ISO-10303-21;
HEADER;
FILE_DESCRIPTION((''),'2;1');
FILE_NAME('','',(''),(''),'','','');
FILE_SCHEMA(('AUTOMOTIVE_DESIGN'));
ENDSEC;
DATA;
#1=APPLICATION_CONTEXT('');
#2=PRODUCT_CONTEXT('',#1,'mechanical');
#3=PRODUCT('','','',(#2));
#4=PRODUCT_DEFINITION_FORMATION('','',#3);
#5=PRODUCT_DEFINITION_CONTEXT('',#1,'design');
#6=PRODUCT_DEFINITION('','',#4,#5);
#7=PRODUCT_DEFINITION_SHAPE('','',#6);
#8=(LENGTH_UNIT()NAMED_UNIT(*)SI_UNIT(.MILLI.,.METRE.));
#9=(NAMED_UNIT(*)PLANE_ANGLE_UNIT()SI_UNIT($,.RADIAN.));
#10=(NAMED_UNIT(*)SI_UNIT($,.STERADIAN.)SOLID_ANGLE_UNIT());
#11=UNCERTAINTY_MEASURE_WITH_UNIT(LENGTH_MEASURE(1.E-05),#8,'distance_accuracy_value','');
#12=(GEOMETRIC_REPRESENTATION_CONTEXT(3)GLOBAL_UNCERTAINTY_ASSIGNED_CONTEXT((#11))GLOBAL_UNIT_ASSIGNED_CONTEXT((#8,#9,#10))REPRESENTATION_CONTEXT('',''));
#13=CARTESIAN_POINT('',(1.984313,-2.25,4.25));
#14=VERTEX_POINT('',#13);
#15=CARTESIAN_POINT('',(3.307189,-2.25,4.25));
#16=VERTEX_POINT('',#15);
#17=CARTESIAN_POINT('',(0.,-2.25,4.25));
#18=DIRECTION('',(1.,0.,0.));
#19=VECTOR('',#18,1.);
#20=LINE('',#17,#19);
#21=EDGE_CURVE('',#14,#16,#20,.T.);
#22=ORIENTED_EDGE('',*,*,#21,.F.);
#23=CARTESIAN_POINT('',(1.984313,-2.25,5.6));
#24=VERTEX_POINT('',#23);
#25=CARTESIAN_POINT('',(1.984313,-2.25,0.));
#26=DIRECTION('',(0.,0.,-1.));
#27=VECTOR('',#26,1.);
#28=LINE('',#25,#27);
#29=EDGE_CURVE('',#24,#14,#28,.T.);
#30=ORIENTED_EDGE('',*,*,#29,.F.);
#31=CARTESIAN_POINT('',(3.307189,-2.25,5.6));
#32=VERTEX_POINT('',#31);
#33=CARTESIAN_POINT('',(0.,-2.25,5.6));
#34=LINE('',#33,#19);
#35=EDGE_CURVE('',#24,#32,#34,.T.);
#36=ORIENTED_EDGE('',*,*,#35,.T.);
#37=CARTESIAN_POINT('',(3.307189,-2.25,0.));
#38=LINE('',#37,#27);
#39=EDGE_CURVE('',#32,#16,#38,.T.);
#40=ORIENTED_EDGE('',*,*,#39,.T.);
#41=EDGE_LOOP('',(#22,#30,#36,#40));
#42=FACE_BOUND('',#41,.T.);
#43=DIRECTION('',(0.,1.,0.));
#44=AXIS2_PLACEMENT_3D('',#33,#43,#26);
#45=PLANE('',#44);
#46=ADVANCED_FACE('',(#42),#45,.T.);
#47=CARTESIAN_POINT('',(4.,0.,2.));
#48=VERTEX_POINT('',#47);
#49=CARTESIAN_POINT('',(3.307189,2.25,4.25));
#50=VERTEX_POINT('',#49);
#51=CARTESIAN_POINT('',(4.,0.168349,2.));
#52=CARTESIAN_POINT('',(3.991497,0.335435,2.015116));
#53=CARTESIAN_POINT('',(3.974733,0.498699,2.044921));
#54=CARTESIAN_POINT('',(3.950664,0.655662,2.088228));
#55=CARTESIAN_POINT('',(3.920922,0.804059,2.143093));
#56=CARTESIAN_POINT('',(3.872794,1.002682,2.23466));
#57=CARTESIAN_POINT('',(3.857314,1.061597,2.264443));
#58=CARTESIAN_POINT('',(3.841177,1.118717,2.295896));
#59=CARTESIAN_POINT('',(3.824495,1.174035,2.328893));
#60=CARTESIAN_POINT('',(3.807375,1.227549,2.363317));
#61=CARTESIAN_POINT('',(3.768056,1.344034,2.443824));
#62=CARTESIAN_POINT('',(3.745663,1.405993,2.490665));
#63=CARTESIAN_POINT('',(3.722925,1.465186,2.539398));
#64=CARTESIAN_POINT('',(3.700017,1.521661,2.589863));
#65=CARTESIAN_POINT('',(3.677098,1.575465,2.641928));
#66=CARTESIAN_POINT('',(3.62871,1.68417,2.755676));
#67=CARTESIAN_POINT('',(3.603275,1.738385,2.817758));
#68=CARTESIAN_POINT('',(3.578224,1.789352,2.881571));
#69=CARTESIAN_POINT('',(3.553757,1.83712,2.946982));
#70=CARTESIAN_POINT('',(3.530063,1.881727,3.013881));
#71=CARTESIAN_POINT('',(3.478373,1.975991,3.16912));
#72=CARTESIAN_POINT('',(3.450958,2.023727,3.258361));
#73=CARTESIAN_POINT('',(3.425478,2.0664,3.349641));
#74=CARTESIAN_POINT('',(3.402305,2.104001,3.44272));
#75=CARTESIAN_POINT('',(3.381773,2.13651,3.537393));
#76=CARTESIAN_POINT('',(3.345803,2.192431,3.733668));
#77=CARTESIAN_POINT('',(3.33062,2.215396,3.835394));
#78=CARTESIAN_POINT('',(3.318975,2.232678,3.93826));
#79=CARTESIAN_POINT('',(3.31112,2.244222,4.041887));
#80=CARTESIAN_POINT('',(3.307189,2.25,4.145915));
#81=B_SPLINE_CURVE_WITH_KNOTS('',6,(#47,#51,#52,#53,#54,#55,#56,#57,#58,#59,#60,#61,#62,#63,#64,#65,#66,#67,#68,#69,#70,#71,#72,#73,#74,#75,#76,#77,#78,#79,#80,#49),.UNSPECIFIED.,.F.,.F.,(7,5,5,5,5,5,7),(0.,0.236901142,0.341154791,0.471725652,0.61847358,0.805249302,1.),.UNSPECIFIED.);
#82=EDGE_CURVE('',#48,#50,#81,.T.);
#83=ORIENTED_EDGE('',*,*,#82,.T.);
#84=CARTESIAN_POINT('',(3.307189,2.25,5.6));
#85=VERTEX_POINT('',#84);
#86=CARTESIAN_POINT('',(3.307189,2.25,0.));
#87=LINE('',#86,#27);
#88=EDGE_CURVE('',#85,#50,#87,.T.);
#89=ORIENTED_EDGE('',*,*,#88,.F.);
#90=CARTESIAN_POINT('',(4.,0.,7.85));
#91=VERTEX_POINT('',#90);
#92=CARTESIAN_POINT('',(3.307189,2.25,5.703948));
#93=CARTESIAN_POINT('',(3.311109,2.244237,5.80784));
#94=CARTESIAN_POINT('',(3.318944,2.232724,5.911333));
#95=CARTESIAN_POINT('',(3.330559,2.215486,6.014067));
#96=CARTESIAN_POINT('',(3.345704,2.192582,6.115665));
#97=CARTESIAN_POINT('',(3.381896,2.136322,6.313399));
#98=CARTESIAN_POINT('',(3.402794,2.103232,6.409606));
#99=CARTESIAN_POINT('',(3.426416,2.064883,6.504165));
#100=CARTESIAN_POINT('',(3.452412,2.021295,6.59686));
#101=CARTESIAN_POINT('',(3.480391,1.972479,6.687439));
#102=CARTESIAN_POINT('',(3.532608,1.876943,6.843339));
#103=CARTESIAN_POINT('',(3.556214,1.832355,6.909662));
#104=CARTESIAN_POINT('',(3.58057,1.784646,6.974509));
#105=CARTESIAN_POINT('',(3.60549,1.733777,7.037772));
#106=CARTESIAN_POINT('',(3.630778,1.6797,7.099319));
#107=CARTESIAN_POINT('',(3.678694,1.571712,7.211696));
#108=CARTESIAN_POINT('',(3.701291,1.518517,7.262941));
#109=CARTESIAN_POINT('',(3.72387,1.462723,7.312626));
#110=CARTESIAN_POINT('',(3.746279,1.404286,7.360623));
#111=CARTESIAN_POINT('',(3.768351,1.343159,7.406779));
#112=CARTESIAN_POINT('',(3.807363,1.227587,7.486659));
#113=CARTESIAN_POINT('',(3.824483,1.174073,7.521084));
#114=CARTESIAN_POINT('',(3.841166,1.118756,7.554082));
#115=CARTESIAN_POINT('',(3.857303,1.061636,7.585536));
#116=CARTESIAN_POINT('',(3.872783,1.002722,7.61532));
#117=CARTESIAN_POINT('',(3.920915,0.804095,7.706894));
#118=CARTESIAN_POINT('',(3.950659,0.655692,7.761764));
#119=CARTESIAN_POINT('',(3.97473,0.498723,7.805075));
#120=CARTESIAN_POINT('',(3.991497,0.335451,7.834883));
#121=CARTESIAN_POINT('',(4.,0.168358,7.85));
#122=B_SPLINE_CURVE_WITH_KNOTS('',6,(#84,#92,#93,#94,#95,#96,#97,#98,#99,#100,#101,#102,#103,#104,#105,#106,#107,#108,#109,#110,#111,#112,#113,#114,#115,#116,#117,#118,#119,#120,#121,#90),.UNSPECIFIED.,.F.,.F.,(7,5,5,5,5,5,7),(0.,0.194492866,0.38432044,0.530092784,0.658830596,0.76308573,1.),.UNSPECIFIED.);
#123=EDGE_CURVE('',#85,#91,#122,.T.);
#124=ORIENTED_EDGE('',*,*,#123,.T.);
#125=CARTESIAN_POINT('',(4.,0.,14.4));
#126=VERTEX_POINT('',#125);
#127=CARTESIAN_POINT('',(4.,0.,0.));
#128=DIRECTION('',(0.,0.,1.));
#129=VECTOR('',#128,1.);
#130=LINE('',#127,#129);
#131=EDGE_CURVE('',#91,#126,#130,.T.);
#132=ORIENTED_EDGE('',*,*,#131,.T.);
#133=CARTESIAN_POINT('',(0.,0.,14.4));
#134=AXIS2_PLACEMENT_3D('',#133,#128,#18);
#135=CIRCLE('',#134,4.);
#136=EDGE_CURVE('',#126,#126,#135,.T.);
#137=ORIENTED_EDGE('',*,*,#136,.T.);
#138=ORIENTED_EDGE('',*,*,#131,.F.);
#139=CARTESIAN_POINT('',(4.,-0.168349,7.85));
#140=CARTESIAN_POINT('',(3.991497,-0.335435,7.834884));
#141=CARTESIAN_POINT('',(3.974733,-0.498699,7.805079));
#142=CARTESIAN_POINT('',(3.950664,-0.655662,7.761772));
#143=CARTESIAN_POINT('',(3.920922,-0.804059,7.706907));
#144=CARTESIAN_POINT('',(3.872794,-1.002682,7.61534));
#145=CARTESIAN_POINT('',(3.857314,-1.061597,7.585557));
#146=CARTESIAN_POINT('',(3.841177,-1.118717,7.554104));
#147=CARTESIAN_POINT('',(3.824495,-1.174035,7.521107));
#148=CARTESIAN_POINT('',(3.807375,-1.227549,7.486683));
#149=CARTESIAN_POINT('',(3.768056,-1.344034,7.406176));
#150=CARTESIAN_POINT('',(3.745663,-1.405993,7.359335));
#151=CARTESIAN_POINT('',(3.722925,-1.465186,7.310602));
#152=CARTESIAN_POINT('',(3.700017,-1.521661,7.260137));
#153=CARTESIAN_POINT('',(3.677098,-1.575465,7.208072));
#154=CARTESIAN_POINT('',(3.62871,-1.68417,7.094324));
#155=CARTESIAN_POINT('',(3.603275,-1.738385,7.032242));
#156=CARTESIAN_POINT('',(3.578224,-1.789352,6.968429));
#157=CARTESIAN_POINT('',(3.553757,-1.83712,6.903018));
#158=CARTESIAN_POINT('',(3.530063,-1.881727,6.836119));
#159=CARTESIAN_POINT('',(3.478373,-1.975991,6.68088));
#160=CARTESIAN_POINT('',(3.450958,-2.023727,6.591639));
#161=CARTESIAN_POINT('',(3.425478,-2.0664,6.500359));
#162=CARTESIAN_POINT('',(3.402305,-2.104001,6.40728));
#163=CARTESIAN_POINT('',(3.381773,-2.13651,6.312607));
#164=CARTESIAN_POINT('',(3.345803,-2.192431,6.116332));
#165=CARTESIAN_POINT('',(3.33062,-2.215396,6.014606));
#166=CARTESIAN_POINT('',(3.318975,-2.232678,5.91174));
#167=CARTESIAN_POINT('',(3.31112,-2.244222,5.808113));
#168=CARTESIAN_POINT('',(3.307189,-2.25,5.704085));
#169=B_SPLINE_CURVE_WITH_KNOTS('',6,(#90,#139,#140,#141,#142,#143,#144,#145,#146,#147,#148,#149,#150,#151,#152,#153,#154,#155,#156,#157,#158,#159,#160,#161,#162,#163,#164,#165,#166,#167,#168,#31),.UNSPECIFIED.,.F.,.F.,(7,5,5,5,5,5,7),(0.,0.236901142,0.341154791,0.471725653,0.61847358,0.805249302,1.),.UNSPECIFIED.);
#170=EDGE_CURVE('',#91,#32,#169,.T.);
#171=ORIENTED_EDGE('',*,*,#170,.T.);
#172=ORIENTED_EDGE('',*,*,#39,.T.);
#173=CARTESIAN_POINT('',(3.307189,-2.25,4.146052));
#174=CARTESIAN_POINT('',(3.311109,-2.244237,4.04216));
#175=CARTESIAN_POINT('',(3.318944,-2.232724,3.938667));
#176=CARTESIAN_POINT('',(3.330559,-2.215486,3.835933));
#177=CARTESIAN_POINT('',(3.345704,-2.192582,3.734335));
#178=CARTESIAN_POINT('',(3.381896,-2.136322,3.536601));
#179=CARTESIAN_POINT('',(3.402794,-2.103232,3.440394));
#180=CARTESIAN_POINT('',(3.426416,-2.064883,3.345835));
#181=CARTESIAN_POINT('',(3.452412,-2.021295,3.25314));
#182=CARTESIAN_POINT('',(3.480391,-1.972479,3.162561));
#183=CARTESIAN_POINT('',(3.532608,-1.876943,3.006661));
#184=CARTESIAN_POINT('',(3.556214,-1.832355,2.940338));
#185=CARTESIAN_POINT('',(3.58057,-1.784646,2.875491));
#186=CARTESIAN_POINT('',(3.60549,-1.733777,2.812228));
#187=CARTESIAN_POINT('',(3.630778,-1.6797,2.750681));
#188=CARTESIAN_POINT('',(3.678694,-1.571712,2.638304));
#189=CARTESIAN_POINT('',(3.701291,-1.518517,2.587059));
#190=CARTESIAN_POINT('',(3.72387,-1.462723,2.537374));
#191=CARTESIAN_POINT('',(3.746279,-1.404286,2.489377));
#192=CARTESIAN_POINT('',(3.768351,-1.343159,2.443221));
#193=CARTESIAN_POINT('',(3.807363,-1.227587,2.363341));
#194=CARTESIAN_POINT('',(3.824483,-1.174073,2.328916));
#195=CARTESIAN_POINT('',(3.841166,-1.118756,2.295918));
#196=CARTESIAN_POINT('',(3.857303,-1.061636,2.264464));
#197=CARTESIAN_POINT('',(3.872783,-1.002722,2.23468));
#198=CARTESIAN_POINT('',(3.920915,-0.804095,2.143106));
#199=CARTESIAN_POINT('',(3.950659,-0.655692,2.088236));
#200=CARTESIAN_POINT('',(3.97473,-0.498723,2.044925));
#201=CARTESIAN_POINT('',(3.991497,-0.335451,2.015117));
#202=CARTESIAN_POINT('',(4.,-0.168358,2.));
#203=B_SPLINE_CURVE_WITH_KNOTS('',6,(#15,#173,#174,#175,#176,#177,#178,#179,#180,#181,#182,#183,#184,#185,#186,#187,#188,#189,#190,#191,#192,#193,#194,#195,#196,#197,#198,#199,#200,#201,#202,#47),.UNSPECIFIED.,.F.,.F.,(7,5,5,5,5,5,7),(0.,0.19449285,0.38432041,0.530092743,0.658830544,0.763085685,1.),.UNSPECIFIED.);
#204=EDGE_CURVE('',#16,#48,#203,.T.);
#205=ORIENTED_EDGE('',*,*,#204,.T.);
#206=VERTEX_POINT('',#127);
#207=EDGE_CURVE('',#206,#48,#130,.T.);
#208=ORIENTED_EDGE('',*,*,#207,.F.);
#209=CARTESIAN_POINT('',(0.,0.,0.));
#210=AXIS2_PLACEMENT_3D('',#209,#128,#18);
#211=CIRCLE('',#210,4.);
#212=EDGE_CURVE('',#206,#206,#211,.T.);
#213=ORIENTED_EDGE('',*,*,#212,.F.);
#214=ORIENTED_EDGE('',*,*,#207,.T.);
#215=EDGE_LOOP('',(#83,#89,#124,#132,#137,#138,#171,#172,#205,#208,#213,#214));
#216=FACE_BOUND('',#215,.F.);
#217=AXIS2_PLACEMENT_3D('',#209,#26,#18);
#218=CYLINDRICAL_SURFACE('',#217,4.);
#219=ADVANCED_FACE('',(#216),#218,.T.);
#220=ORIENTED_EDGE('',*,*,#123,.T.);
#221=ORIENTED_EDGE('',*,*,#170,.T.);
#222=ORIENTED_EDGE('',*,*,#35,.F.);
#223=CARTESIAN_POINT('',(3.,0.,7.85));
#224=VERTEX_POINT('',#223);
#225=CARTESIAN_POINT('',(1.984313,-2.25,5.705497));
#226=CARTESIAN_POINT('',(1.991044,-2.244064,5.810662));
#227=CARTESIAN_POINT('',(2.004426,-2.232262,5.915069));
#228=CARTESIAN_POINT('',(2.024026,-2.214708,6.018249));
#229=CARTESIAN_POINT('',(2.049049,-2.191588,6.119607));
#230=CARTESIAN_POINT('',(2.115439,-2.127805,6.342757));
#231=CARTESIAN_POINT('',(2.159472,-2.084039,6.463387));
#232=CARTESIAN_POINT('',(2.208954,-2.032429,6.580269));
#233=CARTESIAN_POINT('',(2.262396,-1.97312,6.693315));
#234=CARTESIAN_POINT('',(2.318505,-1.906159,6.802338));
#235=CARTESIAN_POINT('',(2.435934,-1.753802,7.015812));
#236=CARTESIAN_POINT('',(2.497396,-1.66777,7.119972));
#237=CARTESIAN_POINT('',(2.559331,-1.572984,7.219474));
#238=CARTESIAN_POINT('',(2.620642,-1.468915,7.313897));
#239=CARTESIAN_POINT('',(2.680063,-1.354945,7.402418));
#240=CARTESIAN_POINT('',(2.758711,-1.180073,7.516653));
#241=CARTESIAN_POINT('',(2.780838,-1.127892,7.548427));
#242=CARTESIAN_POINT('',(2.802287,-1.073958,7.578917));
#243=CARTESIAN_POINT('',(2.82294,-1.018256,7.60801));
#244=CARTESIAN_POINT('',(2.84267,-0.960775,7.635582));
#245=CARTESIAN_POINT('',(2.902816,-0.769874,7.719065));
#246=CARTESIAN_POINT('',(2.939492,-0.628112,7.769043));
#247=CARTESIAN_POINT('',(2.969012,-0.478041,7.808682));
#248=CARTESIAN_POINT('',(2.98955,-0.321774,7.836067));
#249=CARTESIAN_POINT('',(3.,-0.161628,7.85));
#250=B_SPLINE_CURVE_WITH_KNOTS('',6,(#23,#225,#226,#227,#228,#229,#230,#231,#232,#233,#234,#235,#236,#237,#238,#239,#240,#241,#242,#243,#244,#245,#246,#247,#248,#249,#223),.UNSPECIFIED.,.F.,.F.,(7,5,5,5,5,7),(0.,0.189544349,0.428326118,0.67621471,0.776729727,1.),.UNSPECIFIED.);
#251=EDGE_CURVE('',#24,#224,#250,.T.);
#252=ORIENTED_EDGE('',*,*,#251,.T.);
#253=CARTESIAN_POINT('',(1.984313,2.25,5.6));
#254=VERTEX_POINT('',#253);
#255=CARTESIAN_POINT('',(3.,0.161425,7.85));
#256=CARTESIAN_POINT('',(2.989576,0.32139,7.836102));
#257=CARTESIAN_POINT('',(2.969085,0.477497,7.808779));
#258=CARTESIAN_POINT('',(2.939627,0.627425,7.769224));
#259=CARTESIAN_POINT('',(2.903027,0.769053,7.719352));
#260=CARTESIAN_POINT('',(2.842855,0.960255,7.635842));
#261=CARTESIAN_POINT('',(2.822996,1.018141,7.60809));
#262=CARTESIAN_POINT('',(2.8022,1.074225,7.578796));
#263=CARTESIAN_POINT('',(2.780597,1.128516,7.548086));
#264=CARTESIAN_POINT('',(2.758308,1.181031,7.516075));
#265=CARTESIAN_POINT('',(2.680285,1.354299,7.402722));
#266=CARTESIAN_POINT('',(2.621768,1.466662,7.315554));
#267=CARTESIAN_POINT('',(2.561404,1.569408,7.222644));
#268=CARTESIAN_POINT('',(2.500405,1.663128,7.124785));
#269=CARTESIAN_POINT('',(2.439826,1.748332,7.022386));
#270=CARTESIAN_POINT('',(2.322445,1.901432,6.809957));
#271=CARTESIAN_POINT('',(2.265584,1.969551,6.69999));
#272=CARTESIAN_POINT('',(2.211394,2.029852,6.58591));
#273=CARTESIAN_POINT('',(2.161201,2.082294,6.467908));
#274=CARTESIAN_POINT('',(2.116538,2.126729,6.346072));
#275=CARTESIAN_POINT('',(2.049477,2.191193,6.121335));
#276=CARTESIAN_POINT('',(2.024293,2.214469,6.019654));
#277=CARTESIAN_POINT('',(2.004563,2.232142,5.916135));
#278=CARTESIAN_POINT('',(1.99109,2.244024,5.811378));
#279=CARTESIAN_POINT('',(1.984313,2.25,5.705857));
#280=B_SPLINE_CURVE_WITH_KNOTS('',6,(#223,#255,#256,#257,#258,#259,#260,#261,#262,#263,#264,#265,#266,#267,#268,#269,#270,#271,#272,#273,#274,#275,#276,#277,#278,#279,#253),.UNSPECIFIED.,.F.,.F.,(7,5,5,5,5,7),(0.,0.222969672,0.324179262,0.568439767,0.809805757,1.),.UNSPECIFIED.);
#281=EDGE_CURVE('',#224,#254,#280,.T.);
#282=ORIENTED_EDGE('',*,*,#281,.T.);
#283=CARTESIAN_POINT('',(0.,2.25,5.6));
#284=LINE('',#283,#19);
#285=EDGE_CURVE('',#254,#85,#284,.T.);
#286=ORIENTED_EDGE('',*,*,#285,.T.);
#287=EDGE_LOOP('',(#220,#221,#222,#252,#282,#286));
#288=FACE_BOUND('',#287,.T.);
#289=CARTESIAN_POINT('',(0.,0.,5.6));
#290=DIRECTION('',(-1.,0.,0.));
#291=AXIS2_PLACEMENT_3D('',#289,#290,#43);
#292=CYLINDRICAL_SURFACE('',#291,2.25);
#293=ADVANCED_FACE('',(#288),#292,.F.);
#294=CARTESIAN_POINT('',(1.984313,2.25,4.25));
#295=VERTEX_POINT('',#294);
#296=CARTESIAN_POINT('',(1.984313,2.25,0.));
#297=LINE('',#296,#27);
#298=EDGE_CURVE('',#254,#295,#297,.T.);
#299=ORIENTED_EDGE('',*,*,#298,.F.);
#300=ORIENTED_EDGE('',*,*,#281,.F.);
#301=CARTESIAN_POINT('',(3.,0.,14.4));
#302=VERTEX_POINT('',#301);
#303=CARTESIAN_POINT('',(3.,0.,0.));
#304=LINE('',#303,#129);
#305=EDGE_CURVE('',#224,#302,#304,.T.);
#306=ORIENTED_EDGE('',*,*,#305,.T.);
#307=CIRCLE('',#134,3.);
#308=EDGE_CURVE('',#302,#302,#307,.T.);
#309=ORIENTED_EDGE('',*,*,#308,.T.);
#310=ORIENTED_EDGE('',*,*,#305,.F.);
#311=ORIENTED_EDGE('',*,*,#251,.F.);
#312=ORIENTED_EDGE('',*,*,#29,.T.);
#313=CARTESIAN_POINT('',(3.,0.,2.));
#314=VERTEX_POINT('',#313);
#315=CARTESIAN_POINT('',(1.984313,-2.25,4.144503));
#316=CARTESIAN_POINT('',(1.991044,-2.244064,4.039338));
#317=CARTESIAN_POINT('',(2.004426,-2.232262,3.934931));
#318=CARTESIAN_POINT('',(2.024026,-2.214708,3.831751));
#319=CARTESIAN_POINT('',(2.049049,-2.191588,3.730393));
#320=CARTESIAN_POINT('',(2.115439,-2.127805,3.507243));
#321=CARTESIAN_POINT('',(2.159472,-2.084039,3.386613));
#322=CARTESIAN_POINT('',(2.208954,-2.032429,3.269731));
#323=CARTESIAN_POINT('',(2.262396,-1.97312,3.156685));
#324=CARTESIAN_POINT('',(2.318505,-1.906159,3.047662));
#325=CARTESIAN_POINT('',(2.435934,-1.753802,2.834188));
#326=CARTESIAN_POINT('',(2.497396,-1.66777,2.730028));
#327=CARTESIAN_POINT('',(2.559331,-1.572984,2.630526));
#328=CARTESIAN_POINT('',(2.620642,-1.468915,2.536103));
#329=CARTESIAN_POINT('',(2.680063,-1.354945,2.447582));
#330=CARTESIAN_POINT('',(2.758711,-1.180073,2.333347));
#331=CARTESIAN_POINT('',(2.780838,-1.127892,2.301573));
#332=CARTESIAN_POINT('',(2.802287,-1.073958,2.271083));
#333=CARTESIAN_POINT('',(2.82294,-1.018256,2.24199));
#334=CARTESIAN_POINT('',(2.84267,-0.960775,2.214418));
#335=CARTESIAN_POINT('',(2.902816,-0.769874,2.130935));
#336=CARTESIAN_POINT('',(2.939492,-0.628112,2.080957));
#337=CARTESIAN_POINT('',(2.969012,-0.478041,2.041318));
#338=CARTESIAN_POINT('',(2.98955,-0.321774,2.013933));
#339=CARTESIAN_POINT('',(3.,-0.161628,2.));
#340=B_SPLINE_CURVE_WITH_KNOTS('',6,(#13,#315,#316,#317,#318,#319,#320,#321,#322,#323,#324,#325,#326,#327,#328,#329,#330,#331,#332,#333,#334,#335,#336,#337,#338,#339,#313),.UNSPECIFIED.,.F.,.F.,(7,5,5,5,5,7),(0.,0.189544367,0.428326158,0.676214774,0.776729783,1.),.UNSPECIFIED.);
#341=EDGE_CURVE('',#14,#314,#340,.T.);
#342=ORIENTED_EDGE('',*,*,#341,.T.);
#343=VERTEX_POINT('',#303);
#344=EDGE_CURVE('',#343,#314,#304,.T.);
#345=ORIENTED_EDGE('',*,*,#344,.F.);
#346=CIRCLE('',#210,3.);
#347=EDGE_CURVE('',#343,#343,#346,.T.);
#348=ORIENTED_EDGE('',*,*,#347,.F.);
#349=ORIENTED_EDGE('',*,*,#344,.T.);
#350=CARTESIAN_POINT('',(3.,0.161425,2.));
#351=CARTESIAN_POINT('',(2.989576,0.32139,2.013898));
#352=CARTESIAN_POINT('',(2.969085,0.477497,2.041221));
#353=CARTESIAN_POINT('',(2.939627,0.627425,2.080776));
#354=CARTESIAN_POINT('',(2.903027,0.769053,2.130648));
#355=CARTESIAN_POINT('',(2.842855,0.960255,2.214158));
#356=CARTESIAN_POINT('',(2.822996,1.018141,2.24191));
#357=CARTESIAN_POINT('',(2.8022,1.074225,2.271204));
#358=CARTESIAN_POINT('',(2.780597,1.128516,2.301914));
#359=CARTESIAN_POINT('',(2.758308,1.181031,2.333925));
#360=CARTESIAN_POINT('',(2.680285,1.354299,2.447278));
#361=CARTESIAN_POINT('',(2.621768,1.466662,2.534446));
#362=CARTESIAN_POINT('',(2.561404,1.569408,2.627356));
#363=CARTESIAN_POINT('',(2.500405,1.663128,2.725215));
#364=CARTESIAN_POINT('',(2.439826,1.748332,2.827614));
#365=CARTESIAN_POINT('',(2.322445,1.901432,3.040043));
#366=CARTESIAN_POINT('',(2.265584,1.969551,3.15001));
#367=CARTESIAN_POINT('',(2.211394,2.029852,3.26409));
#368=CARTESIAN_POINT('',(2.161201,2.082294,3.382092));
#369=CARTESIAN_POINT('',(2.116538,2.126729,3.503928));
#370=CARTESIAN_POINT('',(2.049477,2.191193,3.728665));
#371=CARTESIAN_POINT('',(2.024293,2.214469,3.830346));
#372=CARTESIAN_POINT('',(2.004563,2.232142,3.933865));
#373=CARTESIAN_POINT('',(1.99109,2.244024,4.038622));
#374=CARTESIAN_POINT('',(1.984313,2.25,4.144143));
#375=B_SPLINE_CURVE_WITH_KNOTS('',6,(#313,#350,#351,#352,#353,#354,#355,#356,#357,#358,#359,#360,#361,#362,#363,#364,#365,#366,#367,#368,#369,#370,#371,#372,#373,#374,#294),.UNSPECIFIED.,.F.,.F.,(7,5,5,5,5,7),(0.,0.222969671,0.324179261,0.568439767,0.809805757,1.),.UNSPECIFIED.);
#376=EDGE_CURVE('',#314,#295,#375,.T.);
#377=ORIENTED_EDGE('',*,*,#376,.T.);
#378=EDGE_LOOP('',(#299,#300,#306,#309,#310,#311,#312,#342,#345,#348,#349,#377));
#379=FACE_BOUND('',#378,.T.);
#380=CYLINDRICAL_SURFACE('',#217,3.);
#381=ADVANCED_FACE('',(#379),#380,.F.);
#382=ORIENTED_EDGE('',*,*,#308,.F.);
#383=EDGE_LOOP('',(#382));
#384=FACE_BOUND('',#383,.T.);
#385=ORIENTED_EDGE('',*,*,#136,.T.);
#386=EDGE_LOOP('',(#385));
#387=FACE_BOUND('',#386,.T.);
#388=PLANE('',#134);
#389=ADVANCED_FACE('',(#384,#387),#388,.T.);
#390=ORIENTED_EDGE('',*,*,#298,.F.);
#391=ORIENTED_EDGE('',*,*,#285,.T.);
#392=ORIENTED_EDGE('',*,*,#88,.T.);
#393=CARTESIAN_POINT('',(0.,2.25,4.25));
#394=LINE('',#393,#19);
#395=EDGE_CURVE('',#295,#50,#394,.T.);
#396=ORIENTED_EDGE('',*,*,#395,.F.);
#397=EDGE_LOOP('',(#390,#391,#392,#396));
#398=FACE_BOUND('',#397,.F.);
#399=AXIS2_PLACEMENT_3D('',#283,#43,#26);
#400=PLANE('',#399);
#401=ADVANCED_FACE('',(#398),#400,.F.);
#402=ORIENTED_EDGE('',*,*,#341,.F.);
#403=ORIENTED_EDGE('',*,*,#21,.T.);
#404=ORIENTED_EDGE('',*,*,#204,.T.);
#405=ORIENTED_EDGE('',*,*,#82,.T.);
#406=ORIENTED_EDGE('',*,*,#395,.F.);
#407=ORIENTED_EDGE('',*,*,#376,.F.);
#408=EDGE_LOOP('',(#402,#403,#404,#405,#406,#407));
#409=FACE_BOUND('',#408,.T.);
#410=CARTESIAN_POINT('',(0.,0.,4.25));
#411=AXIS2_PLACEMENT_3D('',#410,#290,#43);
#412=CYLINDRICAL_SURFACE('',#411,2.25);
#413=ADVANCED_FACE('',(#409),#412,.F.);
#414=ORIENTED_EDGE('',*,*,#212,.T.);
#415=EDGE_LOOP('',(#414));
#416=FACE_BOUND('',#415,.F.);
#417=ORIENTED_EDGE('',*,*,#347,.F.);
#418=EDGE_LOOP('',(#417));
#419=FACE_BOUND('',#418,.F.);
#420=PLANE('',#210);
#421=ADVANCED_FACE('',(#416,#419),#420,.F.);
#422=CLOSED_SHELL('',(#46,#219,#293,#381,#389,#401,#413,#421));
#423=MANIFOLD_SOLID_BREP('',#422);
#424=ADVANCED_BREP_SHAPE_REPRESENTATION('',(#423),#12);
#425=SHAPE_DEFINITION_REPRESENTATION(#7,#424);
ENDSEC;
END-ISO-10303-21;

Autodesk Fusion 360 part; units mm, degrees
sketch "Sketch1" plane through (0, 0, 0) normal (0, 0, 1) x (1, 0, 0)
  circle A0 centre (0, 0) radius 3
  circle A1 centre (0, 0) radius 4
  dimension "d1" = 6
  dimension "d2" = 8
extrude "Extrude1" add sketch "Sketch1" along normal blind 14.4
sketch "Sketch2" plane through (0, 0, 0) normal (1, 0, 0) x (0, 1, 0)
  line L0 (0, 14.4) -> (0, 7.85)
  line L1 (0, 0) -> (0, 1.6)
  line L2 (0, 1.6) -> (0, 2)
  line L3 (0, 7.85) -> (0, 5.6)
  line L4 (0, 2) -> (0, 4.25)
  circle A0 centre (0, 4.25) radius 2.25
  circle A1 centre (0, 5.6) radius 2.25
  line L5 (0, 5.6) -> (-2.25, 5.6)
  line L6 (-2.25, 5.6) -> (-2.25, 4.25)
  line L7 (0, 5.6) -> (2.25, 5.6)
  line L8 (2.25, 5.6) -> (2.25, 4.25)
  dimension "d5" = 6.55
  dimension "d6" = 1.6
  dimension "d7" = 2.25
  dimension "d8" = 2.25
extrude "Extrude2" cut sketch "Sketch2" along normal blind 9.083
